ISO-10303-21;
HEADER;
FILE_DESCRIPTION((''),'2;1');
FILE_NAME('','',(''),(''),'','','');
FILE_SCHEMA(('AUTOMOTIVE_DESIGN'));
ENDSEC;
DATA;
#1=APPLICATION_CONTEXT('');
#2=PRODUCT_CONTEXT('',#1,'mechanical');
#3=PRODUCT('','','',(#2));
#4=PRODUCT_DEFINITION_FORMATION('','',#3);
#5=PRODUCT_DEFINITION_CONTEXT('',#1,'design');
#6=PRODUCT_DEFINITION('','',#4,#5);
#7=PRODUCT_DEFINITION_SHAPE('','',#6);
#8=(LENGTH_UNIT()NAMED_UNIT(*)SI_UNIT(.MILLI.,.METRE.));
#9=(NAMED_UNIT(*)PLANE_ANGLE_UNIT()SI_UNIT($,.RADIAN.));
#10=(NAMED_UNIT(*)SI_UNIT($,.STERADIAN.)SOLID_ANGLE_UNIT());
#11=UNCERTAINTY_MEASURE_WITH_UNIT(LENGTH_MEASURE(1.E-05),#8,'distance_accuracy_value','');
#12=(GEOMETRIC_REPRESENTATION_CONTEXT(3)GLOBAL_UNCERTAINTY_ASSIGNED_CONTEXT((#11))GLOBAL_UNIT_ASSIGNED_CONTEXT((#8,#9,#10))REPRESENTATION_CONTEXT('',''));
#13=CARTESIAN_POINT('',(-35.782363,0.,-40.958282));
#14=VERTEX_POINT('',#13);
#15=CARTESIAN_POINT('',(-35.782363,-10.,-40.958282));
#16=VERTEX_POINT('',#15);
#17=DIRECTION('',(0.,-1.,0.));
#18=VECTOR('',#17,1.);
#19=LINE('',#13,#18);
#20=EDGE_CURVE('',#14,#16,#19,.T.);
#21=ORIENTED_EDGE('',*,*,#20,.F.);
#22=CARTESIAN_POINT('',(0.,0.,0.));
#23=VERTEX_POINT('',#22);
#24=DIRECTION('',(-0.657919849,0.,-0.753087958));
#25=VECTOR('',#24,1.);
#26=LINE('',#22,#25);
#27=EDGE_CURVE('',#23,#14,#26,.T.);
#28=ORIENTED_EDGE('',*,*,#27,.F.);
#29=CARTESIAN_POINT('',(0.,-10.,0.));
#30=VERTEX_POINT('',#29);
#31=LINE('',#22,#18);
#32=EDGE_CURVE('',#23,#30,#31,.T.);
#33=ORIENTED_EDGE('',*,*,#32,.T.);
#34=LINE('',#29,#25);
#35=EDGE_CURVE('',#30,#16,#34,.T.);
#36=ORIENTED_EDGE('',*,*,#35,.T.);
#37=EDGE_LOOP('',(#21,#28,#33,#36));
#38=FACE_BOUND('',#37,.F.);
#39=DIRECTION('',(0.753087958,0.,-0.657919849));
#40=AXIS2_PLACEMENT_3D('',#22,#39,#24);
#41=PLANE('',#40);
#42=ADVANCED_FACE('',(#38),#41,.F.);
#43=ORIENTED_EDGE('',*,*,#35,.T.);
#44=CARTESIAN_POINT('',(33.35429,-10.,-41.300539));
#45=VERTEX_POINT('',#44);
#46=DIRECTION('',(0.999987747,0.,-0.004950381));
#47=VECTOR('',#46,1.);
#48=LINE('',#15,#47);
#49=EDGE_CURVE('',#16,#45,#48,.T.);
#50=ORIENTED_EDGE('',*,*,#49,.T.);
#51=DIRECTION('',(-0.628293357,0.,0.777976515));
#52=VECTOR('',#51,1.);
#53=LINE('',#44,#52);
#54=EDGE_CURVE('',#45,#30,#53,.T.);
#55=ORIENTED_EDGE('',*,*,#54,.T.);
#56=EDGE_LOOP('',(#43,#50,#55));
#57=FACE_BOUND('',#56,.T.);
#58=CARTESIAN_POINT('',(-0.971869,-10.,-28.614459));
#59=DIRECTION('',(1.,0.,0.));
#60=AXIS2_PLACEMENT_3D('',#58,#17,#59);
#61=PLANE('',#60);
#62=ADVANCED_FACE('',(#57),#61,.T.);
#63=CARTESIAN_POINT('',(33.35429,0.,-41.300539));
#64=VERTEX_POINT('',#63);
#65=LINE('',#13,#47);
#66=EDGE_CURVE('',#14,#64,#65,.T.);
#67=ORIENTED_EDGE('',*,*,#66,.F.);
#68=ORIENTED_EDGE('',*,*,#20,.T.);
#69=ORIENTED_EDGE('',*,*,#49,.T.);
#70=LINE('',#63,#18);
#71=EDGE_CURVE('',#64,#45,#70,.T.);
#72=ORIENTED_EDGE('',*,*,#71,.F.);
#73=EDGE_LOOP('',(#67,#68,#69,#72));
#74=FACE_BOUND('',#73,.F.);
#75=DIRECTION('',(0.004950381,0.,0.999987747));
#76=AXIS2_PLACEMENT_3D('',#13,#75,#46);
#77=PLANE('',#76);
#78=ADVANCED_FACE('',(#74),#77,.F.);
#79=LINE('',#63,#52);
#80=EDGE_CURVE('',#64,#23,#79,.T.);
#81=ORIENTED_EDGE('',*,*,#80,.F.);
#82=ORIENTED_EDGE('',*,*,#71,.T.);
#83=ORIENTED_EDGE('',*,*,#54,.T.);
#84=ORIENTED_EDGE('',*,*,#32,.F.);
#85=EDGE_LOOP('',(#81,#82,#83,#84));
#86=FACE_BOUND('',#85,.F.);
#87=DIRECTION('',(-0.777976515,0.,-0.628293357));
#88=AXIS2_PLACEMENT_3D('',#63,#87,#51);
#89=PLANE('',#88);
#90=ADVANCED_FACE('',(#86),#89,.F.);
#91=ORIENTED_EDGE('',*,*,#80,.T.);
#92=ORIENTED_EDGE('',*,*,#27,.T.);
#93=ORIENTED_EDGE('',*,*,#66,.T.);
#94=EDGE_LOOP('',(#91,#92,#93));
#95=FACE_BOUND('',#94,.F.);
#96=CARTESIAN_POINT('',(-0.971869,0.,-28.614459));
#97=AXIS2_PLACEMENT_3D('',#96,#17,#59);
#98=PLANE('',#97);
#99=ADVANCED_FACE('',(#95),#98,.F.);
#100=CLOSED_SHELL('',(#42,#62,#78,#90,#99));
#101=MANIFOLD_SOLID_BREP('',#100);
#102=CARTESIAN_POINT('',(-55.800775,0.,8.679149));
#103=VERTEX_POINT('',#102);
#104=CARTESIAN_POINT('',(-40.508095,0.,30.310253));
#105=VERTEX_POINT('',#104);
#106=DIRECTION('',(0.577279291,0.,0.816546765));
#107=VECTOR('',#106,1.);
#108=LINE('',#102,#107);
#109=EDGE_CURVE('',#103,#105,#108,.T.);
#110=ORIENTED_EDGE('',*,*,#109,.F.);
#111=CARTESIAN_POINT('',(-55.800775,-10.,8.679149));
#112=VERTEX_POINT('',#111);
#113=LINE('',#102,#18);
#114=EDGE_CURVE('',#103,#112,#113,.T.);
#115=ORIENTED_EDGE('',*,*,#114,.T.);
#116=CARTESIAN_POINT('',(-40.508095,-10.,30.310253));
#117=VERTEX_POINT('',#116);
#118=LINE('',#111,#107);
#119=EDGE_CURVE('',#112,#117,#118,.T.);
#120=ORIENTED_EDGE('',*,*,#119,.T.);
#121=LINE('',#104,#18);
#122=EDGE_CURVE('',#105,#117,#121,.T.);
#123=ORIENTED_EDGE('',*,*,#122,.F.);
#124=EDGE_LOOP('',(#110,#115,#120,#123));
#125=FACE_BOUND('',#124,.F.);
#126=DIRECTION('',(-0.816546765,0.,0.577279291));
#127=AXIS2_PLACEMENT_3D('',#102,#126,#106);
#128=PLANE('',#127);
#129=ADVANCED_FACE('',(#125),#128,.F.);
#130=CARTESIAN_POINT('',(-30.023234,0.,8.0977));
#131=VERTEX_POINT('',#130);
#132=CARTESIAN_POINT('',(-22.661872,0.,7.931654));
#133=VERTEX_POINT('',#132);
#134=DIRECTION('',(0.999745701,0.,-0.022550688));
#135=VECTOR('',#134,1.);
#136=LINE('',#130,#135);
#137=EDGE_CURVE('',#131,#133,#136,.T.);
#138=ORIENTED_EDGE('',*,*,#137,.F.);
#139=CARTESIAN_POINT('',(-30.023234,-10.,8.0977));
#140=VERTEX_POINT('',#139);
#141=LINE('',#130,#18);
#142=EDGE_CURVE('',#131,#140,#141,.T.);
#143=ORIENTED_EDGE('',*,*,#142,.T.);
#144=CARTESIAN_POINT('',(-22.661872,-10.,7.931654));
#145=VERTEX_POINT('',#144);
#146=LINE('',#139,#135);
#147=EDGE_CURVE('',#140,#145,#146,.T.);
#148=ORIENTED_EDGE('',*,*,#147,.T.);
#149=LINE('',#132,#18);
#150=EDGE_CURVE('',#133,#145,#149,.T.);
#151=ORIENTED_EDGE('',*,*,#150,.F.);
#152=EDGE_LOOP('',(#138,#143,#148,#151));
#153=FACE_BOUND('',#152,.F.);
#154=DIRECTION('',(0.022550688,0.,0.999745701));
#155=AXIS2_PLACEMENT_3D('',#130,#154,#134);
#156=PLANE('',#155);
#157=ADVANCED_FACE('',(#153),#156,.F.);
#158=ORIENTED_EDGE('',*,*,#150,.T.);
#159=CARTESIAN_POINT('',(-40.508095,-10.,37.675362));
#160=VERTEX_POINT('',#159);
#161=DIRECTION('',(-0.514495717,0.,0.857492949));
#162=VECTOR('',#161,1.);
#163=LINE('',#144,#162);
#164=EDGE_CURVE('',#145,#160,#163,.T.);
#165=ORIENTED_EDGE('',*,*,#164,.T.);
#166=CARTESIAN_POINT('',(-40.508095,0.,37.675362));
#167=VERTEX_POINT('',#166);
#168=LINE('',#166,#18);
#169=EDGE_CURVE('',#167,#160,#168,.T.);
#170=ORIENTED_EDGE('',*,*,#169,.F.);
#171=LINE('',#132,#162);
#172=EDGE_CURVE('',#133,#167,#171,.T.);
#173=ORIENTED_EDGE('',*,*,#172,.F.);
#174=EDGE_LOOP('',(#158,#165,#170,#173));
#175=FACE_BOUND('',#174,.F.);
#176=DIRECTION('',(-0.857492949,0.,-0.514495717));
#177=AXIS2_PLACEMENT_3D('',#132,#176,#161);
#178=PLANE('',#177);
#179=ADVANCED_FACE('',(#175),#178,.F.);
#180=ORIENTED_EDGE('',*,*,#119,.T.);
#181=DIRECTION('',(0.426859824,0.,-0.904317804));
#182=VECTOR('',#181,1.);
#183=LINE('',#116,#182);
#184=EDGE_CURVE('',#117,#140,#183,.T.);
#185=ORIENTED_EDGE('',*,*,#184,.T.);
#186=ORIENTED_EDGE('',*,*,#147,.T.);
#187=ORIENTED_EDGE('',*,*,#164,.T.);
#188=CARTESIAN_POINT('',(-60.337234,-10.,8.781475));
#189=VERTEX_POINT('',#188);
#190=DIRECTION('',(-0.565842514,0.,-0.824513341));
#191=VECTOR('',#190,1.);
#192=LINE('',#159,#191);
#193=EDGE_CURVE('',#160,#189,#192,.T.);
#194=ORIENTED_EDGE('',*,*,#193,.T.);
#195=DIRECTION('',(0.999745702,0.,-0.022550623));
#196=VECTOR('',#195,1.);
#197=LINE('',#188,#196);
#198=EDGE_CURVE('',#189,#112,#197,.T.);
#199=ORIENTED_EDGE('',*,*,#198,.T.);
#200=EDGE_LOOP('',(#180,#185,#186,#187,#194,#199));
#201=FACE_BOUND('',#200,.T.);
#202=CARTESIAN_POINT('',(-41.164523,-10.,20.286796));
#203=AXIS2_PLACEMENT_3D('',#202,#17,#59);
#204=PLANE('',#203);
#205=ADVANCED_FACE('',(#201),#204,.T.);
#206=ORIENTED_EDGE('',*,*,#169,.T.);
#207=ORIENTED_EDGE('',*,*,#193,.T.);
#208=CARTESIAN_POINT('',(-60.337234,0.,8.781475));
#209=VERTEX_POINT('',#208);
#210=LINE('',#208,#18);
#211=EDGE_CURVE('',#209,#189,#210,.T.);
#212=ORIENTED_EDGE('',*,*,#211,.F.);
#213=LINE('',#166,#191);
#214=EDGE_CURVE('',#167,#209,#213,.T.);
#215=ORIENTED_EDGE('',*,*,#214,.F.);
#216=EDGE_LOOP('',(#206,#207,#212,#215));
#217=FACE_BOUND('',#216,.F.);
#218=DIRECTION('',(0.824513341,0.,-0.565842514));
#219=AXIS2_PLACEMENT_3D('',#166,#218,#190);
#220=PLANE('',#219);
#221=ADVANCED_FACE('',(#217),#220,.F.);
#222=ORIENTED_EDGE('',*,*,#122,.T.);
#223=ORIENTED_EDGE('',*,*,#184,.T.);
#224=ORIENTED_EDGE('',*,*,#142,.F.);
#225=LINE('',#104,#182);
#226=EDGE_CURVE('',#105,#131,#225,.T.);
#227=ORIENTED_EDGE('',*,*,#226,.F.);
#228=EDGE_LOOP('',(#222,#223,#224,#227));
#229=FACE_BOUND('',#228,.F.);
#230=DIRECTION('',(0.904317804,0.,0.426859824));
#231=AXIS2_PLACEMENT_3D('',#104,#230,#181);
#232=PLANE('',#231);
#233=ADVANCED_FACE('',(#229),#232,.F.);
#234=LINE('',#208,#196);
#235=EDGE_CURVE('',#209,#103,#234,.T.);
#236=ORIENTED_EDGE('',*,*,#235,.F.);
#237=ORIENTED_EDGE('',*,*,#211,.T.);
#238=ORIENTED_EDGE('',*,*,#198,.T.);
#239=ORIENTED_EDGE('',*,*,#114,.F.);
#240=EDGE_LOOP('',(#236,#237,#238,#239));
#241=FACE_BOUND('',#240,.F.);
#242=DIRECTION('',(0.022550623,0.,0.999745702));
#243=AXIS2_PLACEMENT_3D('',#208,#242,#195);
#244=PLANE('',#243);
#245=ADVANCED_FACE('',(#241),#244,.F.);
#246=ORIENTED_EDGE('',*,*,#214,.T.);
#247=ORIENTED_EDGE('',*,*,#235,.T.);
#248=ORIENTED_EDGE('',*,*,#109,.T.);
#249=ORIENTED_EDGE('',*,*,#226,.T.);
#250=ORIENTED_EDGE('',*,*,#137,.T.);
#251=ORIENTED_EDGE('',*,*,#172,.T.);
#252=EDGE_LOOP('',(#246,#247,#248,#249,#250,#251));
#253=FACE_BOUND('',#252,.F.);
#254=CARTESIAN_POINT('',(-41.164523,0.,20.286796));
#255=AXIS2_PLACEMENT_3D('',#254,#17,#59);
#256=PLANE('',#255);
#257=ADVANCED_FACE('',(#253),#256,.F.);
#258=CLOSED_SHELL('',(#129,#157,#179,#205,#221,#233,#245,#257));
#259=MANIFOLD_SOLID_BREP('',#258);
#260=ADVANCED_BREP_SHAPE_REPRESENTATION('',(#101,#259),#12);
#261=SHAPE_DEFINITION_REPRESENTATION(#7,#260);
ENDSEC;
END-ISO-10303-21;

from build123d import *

# Parameters (mm, degrees)
F2_DEPTH = 10
F4_DEPTH = 10


with BuildPart() as f2:
    # F1 (on Front) → F2 (new body)
    with BuildSketch(Plane.XZ):
        Polygon((0, 0), (-35.782363, -40.958282), (33.35429, -41.300539), align=None)
    extrude(amount=F2_DEPTH)


with BuildPart() as f4:
    # F3 (on Front) → F4 (new body)
    with BuildSketch(Plane.XZ):
        Polygon((-40.508095, 37.675362), (-60.337234, 8.781475), (-55.800775, 8.679149), (-40.508095, 30.310253), (-30.023234, 8.0977), (-22.661872, 7.931654), align=None)
    extrude(amount=F4_DEPTH)


solid = Compound([f2.part, f4.part])
